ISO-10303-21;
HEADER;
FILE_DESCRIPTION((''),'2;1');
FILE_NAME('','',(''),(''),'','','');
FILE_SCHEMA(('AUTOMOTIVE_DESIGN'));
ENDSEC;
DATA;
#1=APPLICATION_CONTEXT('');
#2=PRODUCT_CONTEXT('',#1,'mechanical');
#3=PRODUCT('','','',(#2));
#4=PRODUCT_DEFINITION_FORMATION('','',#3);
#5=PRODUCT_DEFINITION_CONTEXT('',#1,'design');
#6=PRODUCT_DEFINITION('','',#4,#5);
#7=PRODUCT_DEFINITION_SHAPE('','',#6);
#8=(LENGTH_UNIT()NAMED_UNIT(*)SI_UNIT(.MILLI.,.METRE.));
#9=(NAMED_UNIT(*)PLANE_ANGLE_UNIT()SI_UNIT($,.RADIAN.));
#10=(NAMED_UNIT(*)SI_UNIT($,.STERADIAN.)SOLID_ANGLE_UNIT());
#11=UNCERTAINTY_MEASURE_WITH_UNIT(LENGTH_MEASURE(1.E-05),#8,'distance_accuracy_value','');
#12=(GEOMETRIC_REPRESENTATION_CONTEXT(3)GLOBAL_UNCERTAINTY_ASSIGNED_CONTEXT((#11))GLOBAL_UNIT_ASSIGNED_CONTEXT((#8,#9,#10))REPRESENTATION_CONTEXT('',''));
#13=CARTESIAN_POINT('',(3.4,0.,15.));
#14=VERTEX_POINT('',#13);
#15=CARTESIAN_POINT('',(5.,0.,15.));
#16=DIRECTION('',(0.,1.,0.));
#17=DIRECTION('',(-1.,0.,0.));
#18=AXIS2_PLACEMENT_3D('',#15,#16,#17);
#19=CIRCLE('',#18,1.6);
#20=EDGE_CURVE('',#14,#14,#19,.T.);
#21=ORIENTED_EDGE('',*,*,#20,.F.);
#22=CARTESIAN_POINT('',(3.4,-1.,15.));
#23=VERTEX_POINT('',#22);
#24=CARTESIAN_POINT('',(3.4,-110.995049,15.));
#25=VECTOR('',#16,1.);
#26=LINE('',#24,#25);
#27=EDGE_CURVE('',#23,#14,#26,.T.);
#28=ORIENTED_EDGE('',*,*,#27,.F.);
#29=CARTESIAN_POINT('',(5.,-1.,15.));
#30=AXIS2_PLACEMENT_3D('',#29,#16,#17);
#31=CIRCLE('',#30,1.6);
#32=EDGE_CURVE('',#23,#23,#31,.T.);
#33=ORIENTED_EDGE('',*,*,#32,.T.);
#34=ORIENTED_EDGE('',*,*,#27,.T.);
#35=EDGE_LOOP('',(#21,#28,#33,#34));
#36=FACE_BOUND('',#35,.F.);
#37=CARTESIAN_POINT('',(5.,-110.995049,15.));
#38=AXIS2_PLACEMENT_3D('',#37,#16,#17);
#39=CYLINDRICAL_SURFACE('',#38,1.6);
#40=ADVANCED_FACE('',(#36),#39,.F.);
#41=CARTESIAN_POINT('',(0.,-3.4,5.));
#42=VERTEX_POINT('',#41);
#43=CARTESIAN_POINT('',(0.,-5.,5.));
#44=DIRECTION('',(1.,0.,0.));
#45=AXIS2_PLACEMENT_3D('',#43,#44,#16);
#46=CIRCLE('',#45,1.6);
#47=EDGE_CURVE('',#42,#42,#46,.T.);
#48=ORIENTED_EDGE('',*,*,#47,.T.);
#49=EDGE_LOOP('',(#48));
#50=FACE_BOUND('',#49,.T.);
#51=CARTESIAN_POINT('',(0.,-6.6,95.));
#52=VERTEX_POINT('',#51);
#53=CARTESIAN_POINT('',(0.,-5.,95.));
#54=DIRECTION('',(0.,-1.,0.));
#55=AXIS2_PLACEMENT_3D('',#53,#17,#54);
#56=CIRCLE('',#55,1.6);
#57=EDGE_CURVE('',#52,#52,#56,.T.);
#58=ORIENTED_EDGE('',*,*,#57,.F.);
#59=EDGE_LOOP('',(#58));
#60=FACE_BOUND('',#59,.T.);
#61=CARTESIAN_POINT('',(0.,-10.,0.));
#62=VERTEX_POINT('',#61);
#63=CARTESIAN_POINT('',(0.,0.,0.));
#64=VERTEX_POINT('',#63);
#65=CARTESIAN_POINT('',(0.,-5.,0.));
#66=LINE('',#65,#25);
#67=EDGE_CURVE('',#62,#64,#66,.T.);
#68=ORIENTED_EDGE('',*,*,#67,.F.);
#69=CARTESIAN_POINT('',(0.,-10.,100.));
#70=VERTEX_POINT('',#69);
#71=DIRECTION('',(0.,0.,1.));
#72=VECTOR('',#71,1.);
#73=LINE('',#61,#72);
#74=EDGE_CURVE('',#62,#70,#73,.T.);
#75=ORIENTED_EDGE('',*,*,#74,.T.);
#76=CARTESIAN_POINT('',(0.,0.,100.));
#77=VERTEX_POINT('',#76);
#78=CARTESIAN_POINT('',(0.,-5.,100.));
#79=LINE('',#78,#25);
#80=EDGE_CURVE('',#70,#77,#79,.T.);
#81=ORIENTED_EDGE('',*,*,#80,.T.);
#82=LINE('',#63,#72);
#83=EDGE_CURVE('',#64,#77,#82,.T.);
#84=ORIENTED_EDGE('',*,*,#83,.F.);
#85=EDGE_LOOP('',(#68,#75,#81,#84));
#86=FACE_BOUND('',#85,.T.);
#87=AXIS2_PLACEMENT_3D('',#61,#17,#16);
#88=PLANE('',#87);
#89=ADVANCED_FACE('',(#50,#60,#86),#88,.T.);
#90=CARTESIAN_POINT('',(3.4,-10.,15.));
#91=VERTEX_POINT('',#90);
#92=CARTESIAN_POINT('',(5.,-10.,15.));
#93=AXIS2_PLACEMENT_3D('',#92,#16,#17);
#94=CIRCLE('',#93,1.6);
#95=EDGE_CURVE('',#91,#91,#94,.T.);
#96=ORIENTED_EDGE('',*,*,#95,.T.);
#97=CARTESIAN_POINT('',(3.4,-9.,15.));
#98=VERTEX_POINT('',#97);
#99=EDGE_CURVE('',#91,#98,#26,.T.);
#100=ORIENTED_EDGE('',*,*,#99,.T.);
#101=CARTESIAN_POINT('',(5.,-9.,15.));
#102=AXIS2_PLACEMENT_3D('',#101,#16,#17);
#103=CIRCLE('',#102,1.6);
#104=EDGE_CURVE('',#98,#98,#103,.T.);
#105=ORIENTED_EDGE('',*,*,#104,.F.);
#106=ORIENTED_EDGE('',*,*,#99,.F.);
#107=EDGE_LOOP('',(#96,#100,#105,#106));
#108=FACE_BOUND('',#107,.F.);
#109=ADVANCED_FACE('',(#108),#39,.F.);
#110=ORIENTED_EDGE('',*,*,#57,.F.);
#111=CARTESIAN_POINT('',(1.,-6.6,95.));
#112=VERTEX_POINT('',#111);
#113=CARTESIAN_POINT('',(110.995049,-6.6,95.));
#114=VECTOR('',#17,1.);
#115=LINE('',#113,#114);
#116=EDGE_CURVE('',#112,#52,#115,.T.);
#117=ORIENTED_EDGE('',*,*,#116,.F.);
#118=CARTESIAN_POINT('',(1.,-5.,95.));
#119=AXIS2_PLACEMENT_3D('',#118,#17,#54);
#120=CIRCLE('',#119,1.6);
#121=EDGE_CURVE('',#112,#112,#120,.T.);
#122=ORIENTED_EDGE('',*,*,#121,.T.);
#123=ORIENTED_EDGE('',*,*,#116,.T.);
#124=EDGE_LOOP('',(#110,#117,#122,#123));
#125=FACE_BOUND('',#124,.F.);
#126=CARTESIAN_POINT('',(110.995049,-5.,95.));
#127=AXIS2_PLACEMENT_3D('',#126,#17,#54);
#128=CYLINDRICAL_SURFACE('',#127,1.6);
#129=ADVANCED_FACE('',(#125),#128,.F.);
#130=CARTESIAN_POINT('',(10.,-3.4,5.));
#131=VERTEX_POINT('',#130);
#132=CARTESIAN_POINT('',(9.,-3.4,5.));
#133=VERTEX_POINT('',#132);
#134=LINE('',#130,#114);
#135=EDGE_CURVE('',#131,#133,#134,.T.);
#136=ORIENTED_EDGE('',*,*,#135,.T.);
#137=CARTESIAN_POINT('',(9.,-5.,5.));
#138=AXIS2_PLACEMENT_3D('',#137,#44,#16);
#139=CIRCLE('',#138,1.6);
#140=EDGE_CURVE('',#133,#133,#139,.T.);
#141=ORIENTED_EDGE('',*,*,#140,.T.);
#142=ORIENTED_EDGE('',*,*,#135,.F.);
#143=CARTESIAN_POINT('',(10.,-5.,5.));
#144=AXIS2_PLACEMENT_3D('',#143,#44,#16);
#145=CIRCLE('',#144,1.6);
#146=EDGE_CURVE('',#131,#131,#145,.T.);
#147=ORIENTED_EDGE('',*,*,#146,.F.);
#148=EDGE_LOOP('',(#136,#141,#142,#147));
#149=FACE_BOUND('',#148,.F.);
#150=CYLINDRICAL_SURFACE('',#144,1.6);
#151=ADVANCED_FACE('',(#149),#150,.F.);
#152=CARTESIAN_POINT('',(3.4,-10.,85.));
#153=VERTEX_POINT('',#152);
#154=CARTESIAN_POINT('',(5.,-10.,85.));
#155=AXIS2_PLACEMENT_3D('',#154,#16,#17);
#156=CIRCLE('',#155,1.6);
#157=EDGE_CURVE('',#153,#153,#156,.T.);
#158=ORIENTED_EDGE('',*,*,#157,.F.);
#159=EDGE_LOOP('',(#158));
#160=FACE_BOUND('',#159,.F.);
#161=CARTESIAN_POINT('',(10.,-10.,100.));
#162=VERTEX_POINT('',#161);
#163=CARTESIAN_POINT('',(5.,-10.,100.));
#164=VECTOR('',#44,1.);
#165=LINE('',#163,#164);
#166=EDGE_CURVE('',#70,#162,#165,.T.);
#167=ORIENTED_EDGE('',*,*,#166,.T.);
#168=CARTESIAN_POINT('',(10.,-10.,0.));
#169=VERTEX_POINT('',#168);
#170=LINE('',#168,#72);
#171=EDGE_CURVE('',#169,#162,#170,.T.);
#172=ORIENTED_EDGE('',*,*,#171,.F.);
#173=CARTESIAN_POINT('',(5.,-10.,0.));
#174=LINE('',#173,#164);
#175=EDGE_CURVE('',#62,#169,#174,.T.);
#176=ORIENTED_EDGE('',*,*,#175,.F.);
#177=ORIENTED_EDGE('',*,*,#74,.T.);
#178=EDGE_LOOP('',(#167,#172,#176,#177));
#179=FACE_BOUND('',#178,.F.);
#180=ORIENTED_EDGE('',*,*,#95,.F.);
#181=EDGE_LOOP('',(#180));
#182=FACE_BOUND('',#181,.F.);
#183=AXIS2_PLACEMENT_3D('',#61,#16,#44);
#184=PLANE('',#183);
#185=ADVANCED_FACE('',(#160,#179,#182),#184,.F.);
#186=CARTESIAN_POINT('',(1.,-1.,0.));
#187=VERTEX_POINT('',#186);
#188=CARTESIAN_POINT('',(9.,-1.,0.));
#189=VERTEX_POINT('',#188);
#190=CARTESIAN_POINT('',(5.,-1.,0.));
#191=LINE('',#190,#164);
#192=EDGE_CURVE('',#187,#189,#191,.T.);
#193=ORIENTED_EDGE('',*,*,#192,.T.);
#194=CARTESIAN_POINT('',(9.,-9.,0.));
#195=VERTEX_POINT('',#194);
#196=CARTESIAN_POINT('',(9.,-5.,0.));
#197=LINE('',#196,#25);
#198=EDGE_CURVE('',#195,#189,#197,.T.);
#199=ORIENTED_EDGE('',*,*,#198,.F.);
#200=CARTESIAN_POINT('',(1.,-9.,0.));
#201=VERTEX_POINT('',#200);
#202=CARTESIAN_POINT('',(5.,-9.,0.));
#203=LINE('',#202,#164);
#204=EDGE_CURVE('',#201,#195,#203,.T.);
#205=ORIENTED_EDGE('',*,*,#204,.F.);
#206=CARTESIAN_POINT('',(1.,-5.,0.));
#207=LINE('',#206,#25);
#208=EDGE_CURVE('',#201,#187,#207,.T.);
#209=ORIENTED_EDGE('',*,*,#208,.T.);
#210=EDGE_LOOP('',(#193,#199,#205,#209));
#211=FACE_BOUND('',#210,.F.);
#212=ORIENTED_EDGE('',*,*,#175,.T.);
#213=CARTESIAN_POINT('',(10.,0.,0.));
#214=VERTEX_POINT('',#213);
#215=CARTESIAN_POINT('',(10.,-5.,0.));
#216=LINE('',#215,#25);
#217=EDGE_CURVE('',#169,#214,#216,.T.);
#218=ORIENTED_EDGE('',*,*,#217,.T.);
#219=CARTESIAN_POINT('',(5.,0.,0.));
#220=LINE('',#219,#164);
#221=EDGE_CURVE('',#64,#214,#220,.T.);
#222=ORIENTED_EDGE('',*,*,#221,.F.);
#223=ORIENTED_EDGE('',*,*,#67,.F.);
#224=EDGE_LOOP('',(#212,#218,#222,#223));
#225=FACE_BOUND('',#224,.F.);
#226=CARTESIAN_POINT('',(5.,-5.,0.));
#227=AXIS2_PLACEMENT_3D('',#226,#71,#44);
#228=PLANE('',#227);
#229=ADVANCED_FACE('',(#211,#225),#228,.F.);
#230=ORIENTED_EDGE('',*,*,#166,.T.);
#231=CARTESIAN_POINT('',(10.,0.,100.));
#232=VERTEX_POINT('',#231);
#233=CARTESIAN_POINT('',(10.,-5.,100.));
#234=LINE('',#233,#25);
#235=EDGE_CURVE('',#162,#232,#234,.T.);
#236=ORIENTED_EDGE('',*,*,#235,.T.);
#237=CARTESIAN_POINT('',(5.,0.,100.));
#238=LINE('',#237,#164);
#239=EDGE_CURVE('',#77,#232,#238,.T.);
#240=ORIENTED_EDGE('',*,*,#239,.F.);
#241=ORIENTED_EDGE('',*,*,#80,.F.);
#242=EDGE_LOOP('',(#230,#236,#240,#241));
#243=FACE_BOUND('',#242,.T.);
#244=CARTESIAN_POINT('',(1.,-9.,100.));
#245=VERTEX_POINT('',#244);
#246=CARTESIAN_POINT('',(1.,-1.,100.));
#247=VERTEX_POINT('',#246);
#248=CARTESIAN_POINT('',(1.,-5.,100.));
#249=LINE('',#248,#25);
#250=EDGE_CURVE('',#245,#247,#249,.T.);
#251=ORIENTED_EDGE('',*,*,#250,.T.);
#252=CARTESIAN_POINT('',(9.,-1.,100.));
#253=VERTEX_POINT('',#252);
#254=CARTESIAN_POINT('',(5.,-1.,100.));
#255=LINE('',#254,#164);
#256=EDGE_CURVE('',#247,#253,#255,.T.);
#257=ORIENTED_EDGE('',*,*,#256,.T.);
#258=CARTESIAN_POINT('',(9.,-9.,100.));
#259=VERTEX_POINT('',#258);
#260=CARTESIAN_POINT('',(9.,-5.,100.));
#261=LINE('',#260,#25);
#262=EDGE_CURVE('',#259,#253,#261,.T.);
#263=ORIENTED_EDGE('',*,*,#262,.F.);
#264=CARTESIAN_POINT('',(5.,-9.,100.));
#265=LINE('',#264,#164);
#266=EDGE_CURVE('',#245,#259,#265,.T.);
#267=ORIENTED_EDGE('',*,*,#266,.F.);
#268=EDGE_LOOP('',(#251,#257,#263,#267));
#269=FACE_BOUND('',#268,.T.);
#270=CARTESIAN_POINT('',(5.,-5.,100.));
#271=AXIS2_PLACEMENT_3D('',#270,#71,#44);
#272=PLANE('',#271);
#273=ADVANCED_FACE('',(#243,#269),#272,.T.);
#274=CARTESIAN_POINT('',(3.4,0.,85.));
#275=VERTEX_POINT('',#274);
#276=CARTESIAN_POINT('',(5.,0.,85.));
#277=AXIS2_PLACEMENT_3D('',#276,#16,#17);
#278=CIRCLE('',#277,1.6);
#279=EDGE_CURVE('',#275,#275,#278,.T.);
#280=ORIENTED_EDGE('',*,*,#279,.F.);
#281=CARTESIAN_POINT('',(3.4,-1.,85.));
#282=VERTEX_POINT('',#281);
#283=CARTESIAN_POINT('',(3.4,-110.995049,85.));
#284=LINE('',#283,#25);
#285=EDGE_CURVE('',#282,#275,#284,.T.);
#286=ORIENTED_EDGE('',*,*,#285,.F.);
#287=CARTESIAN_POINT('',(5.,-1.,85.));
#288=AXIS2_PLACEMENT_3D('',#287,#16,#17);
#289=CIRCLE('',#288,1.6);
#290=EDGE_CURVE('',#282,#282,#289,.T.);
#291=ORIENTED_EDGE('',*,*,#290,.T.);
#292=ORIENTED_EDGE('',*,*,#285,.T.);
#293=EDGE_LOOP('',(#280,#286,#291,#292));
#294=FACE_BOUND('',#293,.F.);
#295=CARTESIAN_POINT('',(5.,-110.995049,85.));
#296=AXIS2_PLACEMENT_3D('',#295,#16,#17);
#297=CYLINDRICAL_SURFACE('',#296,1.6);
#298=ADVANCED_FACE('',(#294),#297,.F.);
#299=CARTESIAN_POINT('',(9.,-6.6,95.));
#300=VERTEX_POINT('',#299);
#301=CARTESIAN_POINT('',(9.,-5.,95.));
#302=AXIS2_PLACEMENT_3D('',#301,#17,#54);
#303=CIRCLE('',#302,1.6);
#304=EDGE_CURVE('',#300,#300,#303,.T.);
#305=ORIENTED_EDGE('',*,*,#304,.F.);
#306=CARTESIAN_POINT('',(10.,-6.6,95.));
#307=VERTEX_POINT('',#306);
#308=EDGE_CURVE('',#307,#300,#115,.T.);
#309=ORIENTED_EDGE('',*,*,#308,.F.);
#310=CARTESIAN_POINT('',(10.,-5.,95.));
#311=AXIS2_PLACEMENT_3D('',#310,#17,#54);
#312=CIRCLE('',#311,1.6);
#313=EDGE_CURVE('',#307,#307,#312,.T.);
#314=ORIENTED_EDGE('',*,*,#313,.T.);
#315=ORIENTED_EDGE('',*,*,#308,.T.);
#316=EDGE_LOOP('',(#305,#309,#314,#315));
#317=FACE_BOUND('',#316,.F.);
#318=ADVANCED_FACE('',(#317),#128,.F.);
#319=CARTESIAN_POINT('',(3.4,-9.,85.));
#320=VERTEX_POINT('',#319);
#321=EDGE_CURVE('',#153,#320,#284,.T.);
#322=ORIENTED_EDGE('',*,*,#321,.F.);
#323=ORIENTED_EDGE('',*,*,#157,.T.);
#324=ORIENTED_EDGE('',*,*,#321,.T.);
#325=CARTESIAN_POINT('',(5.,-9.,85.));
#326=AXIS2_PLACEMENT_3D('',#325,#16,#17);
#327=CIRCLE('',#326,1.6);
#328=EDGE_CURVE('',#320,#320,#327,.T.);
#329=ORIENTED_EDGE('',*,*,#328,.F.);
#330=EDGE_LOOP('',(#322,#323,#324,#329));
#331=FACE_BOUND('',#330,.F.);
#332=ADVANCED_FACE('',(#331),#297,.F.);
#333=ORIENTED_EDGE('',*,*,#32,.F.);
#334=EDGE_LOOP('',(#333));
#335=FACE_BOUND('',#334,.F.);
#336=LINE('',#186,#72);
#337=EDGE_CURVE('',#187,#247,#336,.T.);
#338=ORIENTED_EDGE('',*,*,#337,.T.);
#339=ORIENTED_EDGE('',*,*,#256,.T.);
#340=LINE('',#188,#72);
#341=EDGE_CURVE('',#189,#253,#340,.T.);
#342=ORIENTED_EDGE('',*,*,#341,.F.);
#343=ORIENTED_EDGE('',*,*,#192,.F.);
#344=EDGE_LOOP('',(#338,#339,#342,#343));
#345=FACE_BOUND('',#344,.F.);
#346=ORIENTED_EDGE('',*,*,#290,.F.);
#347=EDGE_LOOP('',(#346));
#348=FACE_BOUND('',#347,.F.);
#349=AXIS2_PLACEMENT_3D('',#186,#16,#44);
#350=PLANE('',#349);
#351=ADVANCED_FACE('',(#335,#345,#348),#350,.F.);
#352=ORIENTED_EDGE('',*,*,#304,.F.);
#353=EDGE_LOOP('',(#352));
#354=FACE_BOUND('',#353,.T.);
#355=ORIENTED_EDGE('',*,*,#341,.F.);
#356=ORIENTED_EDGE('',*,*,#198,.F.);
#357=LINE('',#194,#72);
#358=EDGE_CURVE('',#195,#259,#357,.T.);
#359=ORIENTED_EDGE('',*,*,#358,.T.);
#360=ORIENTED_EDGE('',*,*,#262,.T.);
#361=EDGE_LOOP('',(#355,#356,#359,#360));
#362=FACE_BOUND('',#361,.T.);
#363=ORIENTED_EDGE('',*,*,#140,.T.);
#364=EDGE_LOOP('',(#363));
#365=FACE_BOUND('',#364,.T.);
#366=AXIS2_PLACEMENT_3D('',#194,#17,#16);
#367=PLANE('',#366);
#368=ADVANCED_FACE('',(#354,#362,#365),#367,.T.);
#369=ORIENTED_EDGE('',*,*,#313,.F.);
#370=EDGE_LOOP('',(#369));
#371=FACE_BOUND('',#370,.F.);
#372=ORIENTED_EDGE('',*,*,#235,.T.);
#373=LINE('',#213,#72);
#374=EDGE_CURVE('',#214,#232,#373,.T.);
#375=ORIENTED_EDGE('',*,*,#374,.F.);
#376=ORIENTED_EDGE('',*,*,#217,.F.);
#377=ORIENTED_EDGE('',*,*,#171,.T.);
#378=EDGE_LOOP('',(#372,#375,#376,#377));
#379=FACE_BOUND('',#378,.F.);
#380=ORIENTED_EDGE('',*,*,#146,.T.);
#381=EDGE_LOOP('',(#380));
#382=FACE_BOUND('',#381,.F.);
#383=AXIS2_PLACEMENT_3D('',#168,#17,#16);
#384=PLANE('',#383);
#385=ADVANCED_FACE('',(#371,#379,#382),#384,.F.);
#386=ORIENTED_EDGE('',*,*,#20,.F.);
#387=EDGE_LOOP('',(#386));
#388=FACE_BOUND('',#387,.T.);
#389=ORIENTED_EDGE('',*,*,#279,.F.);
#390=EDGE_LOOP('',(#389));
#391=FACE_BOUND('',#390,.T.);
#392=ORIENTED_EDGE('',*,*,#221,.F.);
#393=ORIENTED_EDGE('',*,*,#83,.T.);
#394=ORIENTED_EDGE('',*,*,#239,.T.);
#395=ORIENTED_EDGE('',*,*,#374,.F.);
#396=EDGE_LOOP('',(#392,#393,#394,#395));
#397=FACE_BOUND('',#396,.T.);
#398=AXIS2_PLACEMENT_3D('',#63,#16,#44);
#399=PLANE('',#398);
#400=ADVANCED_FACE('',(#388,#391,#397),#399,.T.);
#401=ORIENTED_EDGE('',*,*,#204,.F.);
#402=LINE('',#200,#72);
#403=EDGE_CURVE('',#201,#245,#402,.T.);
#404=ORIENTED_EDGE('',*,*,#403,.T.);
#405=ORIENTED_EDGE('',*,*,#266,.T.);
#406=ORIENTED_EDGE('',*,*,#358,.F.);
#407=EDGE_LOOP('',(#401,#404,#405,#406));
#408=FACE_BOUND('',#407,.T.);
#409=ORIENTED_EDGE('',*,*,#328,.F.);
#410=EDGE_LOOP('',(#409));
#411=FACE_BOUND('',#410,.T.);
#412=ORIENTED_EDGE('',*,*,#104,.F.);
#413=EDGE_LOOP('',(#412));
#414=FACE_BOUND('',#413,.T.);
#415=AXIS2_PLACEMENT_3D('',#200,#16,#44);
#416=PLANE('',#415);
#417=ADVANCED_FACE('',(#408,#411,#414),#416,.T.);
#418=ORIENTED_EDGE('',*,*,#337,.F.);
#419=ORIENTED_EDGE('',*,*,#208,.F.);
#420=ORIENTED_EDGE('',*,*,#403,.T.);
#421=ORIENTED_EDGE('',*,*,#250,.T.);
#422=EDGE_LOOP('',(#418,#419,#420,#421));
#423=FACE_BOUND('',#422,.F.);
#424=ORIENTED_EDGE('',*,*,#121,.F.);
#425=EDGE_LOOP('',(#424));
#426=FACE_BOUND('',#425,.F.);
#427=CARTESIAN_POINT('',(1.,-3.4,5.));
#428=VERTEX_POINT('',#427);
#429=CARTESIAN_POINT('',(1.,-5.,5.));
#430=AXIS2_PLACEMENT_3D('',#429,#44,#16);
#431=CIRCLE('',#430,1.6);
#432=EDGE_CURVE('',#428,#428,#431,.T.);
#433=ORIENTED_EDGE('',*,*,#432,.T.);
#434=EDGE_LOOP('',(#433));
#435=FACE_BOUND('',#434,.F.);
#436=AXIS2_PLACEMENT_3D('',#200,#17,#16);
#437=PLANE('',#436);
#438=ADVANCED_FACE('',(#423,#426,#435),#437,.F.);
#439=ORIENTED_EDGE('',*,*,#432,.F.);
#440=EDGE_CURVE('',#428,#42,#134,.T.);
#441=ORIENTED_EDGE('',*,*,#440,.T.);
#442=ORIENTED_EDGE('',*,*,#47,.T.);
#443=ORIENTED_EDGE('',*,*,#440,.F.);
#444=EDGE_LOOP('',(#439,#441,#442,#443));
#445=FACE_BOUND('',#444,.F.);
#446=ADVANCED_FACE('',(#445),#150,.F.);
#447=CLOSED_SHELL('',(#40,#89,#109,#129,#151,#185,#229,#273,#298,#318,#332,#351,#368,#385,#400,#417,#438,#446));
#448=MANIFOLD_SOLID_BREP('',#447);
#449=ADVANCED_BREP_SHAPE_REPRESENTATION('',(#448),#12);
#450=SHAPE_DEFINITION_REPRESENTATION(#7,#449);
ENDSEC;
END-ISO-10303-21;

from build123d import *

# Parameters (mm, degrees)
F0_W     = 10
F0_H     = 10
F0_W_2   = 8
F0_H_2   = 8
F1_DEPTH = 100
F2_R     = 1.6
F3_DEPTH = 25
F4_D     = 3.2
F6_D     = 3.2


with BuildPart() as f1:
    # F0 (on Top) → F1 (new body)
    with BuildSketch(Plane.XY):
        with Locations((5, -5)):
            Rectangle(F0_W, F0_H)
        with Locations((5, -5)):
            Rectangle(F0_W_2, F0_H_2, mode=Mode.SUBTRACT)
    extrude(amount=F1_DEPTH)

    # F2 (on face) → F3 (cut)
    with BuildSketch(Plane.YZ.offset(10)):
        with Locations((-5, 5)):
            Circle(F2_R)
    extrude(amount=-F3_DEPTH, mode=Mode.SUBTRACT)

    # F4 (through all)
    with Locations(Plane.YZ.offset(10)):
        with Locations((-5, 95)):
            Hole(F4_D / 2)

    # F6 (through all)
    with Locations(Plane.XZ.offset(10)):
        with Locations((5, 15), (5, 85)):
            Hole(F6_D / 2)


solid = f1.part
